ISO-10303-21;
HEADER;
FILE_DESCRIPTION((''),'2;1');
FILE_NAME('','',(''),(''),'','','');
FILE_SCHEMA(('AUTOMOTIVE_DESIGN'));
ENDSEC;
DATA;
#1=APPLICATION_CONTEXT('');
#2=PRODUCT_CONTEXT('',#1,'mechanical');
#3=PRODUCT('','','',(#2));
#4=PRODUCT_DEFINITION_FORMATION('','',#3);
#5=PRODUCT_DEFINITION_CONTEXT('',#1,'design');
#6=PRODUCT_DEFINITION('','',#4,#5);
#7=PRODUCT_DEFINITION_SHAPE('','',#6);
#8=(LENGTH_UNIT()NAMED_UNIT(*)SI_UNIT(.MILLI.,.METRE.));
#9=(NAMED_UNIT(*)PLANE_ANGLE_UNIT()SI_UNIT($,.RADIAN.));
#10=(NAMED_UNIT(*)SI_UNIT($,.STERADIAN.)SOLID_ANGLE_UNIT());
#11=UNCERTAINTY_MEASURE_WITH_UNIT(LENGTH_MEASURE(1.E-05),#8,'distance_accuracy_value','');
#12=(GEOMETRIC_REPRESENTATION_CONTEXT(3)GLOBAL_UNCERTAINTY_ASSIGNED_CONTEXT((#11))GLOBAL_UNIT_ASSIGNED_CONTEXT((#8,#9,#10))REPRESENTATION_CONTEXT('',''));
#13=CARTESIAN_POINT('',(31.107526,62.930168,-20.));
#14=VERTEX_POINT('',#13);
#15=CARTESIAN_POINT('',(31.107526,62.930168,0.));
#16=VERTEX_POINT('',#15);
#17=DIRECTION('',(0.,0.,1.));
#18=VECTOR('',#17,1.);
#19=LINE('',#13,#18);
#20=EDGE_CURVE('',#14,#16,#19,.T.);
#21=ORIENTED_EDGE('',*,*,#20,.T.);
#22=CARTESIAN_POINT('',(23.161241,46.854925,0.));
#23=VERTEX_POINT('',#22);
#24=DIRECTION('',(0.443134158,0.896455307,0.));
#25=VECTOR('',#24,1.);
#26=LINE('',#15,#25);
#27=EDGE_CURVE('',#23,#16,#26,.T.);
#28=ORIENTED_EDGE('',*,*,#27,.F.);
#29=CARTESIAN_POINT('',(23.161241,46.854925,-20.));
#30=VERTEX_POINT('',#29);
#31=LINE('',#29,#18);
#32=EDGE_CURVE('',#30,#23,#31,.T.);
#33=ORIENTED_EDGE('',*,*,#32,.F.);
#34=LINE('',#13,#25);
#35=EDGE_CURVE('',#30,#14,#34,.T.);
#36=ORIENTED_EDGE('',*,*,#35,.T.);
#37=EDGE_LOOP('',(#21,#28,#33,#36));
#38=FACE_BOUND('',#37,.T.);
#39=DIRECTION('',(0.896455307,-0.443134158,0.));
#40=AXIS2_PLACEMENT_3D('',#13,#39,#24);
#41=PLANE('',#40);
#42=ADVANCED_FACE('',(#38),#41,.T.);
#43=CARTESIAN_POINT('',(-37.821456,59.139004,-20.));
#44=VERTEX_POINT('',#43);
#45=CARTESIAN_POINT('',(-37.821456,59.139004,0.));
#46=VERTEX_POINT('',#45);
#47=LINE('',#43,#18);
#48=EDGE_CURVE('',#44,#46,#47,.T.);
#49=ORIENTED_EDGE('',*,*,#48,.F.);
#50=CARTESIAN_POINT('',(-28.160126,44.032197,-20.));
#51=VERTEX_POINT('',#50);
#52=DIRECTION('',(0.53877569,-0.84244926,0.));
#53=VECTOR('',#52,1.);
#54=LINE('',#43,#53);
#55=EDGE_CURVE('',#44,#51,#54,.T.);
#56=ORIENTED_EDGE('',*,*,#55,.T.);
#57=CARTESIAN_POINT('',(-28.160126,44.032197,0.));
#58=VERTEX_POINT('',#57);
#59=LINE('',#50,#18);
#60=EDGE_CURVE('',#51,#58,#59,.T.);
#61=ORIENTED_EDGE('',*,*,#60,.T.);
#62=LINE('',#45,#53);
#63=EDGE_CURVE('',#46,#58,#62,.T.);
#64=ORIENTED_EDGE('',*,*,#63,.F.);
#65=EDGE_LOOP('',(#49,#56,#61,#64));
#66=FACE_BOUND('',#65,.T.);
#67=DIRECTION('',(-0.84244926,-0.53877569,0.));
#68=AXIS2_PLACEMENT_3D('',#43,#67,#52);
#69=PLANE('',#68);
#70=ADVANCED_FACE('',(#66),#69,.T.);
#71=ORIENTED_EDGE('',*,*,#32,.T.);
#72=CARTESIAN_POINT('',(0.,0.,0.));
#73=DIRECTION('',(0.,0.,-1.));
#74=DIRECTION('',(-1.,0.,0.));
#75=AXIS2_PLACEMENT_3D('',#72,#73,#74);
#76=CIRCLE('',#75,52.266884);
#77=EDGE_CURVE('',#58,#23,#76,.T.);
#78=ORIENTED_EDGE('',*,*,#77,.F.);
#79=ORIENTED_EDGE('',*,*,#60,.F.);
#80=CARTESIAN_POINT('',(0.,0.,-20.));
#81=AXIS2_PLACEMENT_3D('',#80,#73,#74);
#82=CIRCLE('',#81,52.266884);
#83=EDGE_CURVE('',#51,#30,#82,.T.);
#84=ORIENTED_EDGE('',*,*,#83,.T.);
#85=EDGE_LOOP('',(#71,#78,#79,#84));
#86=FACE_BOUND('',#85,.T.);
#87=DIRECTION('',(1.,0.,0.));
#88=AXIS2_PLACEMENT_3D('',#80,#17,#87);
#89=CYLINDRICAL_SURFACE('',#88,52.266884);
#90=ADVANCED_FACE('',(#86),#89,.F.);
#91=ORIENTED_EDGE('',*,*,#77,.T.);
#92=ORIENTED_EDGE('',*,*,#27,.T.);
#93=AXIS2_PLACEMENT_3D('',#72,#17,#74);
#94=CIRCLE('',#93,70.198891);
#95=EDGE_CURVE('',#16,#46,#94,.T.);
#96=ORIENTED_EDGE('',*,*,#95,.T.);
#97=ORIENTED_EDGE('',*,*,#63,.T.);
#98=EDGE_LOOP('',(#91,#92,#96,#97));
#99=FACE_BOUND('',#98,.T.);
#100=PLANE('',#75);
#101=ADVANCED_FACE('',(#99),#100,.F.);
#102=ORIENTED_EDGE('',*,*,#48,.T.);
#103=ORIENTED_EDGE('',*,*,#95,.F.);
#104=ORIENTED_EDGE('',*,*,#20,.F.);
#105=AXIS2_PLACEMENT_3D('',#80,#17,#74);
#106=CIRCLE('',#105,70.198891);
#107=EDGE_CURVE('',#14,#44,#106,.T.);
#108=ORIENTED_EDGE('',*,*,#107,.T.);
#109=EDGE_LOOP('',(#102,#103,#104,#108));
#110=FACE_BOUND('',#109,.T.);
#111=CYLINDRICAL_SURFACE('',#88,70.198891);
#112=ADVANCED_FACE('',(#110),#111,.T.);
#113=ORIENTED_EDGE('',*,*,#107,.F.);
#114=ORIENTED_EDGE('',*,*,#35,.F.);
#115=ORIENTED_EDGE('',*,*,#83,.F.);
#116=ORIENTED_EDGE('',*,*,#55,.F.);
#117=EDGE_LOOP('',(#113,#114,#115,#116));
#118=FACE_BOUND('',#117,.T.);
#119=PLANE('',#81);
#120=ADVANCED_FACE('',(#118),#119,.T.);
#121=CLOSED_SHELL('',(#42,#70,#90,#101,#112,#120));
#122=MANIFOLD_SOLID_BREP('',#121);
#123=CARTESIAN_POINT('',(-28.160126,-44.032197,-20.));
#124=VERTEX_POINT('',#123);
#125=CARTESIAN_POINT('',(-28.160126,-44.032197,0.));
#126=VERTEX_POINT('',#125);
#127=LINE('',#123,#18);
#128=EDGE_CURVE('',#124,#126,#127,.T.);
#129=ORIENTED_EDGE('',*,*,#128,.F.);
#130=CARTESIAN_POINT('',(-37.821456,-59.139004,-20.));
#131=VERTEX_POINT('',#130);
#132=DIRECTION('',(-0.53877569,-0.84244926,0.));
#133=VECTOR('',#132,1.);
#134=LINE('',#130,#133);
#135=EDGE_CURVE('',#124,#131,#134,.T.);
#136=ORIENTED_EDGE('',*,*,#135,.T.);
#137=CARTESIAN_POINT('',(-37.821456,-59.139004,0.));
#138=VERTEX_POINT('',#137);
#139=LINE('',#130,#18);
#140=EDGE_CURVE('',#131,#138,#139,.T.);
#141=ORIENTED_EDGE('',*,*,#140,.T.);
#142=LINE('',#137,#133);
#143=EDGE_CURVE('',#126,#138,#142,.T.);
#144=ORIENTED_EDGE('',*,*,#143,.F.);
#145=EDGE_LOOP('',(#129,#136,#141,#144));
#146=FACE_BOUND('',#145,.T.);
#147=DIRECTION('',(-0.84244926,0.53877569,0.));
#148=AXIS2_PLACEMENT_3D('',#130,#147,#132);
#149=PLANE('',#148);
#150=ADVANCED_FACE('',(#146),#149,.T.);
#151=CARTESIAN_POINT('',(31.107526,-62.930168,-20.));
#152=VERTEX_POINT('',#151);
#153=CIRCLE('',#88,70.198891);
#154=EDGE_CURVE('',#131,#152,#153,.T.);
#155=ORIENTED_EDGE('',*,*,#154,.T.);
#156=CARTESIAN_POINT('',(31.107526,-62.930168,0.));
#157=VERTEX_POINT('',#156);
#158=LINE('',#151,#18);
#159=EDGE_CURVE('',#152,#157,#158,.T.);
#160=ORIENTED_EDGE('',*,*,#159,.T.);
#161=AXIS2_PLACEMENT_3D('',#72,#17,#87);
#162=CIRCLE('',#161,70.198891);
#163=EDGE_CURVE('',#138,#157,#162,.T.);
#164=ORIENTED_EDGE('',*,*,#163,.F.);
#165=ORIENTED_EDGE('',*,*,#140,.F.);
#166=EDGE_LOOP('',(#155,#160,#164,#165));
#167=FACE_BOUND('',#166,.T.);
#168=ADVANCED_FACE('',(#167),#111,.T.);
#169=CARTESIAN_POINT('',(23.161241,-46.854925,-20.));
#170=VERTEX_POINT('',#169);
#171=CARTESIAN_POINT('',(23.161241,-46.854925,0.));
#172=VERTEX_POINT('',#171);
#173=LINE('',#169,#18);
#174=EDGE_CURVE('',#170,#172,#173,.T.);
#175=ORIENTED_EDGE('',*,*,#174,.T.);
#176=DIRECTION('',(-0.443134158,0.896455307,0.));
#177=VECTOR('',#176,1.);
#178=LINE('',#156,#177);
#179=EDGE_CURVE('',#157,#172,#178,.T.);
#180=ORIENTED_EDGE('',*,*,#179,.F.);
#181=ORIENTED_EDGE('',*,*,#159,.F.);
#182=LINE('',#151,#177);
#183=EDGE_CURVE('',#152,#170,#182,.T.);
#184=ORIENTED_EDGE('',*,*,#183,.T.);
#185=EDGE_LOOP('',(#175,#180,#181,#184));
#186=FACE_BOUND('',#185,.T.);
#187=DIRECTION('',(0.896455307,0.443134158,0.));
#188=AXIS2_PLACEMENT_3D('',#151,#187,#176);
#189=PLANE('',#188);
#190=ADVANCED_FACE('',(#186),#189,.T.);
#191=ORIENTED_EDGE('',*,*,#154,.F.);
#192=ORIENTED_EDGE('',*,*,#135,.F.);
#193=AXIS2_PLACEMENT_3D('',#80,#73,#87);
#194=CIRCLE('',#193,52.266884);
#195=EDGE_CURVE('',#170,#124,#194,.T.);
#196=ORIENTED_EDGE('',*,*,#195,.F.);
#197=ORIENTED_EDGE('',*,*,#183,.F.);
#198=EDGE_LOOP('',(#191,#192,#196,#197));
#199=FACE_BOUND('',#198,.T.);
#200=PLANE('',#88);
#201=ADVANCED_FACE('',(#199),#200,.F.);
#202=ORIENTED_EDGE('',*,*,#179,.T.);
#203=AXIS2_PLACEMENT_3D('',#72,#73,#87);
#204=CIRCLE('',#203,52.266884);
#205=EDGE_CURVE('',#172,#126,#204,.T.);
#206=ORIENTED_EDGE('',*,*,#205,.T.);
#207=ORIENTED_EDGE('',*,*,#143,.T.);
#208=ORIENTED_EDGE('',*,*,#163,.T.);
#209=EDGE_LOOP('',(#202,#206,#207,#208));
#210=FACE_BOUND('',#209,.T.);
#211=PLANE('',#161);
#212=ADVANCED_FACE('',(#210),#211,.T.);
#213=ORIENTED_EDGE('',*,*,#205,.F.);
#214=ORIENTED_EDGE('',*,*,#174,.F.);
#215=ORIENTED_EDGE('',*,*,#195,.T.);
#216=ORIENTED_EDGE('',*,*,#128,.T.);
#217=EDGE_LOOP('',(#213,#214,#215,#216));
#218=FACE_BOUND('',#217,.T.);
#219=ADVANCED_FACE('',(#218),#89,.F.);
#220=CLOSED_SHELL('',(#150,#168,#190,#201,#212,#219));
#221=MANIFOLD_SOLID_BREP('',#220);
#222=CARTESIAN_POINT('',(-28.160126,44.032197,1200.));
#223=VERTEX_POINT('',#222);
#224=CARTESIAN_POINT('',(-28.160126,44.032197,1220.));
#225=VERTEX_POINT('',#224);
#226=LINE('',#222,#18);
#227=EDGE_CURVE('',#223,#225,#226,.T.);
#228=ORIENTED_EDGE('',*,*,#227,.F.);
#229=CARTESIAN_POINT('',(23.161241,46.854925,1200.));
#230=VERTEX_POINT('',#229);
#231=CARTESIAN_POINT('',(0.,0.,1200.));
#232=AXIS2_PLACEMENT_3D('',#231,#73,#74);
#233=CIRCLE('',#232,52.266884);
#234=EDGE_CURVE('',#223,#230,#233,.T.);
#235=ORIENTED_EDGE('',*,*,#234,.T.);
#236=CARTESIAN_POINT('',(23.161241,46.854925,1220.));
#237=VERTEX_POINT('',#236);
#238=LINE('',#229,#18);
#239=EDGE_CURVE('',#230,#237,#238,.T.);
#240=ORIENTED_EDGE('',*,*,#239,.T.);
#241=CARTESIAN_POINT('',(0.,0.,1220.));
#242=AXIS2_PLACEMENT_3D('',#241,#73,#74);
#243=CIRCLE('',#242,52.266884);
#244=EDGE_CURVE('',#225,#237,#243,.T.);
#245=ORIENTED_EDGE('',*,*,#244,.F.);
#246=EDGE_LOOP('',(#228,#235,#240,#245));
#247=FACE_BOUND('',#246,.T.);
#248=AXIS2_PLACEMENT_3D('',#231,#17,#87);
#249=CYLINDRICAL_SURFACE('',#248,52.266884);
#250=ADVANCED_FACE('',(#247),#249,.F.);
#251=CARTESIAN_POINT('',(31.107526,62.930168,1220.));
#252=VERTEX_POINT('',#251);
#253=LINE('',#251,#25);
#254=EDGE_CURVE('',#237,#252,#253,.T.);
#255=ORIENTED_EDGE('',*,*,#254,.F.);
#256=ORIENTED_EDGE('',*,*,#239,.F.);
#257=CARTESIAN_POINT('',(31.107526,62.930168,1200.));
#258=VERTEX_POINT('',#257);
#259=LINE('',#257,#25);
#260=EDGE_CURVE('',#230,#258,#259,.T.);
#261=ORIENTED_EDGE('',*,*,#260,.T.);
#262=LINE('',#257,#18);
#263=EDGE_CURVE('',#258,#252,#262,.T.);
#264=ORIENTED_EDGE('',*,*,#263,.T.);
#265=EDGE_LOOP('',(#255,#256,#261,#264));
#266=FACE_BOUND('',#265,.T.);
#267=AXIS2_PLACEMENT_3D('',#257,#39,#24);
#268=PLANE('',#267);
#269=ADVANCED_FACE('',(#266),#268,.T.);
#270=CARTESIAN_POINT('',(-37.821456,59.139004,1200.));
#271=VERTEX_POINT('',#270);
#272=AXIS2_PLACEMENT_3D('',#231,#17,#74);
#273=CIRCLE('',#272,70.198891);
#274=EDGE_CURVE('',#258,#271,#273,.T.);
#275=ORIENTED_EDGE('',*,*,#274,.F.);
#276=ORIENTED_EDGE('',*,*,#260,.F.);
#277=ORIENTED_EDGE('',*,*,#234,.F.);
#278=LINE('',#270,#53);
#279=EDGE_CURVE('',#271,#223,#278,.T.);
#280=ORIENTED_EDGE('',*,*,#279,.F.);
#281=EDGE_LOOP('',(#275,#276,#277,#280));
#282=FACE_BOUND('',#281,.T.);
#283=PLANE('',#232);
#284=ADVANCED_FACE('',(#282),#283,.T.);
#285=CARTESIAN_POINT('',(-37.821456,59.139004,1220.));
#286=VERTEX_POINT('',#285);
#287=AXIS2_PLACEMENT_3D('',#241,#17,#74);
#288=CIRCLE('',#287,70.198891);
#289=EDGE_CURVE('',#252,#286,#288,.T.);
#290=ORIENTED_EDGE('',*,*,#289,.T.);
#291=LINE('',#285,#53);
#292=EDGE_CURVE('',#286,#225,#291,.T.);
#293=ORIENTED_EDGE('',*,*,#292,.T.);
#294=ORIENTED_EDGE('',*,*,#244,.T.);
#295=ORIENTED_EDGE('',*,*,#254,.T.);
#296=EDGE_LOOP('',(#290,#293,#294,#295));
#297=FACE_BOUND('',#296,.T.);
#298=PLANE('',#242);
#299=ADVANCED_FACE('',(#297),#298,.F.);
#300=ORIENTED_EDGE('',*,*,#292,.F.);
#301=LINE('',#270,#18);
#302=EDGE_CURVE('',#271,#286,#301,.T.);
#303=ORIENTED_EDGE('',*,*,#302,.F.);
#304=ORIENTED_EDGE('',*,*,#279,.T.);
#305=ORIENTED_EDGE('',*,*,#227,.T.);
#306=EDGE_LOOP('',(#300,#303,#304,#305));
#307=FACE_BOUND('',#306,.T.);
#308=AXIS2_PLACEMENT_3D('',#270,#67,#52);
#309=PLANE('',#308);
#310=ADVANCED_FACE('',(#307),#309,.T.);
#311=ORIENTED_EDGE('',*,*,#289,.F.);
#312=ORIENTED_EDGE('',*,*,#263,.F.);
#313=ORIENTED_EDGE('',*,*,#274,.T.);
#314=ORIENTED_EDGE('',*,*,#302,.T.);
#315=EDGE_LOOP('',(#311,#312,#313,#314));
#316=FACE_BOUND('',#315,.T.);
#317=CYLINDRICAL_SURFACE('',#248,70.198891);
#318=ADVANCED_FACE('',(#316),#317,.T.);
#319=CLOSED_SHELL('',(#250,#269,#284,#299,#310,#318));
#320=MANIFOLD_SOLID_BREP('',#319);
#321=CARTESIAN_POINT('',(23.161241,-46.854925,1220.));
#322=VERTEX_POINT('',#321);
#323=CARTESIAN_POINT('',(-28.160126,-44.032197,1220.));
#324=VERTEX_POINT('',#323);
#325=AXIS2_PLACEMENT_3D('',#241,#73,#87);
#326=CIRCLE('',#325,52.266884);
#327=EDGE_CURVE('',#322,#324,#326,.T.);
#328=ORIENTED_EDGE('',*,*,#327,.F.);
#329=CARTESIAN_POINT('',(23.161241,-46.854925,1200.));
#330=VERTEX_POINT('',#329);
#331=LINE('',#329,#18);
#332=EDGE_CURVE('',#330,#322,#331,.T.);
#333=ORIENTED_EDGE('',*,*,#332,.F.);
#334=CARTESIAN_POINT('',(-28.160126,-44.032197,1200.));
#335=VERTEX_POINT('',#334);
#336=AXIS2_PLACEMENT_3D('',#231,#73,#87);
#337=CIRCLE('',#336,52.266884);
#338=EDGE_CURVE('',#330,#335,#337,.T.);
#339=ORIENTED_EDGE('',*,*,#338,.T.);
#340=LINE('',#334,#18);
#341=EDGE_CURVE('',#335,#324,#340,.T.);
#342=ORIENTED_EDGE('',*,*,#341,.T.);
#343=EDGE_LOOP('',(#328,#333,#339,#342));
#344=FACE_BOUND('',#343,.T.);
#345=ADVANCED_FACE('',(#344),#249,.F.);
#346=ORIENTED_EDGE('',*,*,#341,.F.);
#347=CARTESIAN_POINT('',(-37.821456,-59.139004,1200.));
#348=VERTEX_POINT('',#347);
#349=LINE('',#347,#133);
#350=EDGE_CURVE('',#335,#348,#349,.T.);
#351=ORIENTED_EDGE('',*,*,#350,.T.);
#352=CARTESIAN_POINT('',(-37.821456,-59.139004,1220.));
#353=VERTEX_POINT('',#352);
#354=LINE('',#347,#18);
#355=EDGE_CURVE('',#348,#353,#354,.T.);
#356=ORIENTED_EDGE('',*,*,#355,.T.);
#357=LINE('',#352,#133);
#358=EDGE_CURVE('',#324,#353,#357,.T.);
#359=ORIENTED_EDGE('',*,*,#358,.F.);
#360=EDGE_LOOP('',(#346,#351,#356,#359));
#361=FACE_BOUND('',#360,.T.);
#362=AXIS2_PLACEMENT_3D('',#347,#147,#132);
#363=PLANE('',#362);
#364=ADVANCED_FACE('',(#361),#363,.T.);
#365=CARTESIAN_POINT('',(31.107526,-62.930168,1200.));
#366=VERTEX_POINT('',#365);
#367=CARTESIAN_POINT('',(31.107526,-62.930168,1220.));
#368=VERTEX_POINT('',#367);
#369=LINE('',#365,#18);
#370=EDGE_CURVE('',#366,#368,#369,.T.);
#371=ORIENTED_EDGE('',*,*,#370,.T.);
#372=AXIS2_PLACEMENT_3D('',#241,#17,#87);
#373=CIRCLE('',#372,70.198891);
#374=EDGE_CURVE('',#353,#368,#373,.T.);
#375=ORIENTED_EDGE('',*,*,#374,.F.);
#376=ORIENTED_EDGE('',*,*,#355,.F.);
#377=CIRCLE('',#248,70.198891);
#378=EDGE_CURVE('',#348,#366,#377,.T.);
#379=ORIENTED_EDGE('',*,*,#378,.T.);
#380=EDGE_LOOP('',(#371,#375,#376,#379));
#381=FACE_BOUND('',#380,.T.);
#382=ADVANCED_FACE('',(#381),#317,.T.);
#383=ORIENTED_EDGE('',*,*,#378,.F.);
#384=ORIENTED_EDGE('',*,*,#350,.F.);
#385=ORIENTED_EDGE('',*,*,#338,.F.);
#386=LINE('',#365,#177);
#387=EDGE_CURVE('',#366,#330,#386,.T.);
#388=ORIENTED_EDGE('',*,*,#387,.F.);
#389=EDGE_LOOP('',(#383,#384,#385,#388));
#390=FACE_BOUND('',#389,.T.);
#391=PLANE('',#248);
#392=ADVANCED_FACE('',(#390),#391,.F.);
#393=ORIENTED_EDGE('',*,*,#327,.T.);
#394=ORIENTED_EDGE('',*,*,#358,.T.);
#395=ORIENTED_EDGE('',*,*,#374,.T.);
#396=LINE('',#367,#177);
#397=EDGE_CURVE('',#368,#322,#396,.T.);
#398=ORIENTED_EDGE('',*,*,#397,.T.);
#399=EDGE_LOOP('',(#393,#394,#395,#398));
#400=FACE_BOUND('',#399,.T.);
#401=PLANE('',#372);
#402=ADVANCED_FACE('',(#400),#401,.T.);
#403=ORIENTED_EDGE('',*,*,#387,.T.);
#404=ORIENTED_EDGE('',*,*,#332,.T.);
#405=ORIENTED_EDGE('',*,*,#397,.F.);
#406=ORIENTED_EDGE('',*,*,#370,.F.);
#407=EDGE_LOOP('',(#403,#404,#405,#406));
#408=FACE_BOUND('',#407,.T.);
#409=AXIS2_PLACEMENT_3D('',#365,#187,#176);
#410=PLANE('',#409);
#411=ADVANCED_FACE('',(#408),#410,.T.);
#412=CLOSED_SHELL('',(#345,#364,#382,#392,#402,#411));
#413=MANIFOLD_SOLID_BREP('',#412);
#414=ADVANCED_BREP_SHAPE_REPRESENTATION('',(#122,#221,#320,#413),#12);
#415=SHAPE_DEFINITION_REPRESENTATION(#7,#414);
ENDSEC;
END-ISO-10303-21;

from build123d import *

# Parameters (mm, degrees)
BOSS_EXTRUDE2_DEPTH   = 20
BOSS_EXTRUDE2_2_DEPTH = 20
LPATTERN1_COUNT       = 2
LPATTERN1_PITCH       = 1220


with BuildPart() as part:
    # Sketch2 → Boss-Extrude2 (new body)
    with BuildSketch(Plane.XY):
        with BuildLine():
            Line((-37.821455886, 59.139003749), (-28.160126305, 44.032197495))
            ThreePointArc((-28.160126305, 44.032197495), (-2.870393775, 52.188005991), (23.161241474, 46.854925281))
            Line((23.161241474, 46.854925281), (31.107526408, 62.930168366))
            ThreePointArc((31.107526408, 62.930168366), (-3.855184113, 70.092951467), (-37.821455886, 59.139003749))
        make_face()
    boss_extrude2 = extrude(amount=-BOSS_EXTRUDE2_DEPTH)


with BuildPart() as body_2:
    # Sketch2 → Boss-Extrude2 2 (new body)
    with BuildSketch(Plane.XY):
        with BuildLine():
            Line((31.107526408, -62.930168366), (23.161241474, -46.854925281))
            ThreePointArc((23.161241474, -46.854925281), (-2.870393775, -52.188005991), (-28.160126305, -44.032197495))
            Line((-28.160126305, -44.032197495), (-37.821455886, -59.139003749))
            ThreePointArc((-37.821455886, -59.139003749), (-3.855184113, -70.092951467), (31.107526408, -62.930168366))
        make_face()
    boss_extrude2_2 = extrude(amount=-BOSS_EXTRUDE2_2_DEPTH)


with BuildPart() as lpattern1_1:
    # LPattern1: Boss-Extrude2, Boss-Extrude2 2 ×2
    with Locations(*[(0, 0, i * LPATTERN1_PITCH) for i in range(1, LPATTERN1_COUNT)]):
        add(boss_extrude2)
        add(boss_extrude2_2)


solid = Compound([part.part, body_2.part, lpattern1_1.part])
